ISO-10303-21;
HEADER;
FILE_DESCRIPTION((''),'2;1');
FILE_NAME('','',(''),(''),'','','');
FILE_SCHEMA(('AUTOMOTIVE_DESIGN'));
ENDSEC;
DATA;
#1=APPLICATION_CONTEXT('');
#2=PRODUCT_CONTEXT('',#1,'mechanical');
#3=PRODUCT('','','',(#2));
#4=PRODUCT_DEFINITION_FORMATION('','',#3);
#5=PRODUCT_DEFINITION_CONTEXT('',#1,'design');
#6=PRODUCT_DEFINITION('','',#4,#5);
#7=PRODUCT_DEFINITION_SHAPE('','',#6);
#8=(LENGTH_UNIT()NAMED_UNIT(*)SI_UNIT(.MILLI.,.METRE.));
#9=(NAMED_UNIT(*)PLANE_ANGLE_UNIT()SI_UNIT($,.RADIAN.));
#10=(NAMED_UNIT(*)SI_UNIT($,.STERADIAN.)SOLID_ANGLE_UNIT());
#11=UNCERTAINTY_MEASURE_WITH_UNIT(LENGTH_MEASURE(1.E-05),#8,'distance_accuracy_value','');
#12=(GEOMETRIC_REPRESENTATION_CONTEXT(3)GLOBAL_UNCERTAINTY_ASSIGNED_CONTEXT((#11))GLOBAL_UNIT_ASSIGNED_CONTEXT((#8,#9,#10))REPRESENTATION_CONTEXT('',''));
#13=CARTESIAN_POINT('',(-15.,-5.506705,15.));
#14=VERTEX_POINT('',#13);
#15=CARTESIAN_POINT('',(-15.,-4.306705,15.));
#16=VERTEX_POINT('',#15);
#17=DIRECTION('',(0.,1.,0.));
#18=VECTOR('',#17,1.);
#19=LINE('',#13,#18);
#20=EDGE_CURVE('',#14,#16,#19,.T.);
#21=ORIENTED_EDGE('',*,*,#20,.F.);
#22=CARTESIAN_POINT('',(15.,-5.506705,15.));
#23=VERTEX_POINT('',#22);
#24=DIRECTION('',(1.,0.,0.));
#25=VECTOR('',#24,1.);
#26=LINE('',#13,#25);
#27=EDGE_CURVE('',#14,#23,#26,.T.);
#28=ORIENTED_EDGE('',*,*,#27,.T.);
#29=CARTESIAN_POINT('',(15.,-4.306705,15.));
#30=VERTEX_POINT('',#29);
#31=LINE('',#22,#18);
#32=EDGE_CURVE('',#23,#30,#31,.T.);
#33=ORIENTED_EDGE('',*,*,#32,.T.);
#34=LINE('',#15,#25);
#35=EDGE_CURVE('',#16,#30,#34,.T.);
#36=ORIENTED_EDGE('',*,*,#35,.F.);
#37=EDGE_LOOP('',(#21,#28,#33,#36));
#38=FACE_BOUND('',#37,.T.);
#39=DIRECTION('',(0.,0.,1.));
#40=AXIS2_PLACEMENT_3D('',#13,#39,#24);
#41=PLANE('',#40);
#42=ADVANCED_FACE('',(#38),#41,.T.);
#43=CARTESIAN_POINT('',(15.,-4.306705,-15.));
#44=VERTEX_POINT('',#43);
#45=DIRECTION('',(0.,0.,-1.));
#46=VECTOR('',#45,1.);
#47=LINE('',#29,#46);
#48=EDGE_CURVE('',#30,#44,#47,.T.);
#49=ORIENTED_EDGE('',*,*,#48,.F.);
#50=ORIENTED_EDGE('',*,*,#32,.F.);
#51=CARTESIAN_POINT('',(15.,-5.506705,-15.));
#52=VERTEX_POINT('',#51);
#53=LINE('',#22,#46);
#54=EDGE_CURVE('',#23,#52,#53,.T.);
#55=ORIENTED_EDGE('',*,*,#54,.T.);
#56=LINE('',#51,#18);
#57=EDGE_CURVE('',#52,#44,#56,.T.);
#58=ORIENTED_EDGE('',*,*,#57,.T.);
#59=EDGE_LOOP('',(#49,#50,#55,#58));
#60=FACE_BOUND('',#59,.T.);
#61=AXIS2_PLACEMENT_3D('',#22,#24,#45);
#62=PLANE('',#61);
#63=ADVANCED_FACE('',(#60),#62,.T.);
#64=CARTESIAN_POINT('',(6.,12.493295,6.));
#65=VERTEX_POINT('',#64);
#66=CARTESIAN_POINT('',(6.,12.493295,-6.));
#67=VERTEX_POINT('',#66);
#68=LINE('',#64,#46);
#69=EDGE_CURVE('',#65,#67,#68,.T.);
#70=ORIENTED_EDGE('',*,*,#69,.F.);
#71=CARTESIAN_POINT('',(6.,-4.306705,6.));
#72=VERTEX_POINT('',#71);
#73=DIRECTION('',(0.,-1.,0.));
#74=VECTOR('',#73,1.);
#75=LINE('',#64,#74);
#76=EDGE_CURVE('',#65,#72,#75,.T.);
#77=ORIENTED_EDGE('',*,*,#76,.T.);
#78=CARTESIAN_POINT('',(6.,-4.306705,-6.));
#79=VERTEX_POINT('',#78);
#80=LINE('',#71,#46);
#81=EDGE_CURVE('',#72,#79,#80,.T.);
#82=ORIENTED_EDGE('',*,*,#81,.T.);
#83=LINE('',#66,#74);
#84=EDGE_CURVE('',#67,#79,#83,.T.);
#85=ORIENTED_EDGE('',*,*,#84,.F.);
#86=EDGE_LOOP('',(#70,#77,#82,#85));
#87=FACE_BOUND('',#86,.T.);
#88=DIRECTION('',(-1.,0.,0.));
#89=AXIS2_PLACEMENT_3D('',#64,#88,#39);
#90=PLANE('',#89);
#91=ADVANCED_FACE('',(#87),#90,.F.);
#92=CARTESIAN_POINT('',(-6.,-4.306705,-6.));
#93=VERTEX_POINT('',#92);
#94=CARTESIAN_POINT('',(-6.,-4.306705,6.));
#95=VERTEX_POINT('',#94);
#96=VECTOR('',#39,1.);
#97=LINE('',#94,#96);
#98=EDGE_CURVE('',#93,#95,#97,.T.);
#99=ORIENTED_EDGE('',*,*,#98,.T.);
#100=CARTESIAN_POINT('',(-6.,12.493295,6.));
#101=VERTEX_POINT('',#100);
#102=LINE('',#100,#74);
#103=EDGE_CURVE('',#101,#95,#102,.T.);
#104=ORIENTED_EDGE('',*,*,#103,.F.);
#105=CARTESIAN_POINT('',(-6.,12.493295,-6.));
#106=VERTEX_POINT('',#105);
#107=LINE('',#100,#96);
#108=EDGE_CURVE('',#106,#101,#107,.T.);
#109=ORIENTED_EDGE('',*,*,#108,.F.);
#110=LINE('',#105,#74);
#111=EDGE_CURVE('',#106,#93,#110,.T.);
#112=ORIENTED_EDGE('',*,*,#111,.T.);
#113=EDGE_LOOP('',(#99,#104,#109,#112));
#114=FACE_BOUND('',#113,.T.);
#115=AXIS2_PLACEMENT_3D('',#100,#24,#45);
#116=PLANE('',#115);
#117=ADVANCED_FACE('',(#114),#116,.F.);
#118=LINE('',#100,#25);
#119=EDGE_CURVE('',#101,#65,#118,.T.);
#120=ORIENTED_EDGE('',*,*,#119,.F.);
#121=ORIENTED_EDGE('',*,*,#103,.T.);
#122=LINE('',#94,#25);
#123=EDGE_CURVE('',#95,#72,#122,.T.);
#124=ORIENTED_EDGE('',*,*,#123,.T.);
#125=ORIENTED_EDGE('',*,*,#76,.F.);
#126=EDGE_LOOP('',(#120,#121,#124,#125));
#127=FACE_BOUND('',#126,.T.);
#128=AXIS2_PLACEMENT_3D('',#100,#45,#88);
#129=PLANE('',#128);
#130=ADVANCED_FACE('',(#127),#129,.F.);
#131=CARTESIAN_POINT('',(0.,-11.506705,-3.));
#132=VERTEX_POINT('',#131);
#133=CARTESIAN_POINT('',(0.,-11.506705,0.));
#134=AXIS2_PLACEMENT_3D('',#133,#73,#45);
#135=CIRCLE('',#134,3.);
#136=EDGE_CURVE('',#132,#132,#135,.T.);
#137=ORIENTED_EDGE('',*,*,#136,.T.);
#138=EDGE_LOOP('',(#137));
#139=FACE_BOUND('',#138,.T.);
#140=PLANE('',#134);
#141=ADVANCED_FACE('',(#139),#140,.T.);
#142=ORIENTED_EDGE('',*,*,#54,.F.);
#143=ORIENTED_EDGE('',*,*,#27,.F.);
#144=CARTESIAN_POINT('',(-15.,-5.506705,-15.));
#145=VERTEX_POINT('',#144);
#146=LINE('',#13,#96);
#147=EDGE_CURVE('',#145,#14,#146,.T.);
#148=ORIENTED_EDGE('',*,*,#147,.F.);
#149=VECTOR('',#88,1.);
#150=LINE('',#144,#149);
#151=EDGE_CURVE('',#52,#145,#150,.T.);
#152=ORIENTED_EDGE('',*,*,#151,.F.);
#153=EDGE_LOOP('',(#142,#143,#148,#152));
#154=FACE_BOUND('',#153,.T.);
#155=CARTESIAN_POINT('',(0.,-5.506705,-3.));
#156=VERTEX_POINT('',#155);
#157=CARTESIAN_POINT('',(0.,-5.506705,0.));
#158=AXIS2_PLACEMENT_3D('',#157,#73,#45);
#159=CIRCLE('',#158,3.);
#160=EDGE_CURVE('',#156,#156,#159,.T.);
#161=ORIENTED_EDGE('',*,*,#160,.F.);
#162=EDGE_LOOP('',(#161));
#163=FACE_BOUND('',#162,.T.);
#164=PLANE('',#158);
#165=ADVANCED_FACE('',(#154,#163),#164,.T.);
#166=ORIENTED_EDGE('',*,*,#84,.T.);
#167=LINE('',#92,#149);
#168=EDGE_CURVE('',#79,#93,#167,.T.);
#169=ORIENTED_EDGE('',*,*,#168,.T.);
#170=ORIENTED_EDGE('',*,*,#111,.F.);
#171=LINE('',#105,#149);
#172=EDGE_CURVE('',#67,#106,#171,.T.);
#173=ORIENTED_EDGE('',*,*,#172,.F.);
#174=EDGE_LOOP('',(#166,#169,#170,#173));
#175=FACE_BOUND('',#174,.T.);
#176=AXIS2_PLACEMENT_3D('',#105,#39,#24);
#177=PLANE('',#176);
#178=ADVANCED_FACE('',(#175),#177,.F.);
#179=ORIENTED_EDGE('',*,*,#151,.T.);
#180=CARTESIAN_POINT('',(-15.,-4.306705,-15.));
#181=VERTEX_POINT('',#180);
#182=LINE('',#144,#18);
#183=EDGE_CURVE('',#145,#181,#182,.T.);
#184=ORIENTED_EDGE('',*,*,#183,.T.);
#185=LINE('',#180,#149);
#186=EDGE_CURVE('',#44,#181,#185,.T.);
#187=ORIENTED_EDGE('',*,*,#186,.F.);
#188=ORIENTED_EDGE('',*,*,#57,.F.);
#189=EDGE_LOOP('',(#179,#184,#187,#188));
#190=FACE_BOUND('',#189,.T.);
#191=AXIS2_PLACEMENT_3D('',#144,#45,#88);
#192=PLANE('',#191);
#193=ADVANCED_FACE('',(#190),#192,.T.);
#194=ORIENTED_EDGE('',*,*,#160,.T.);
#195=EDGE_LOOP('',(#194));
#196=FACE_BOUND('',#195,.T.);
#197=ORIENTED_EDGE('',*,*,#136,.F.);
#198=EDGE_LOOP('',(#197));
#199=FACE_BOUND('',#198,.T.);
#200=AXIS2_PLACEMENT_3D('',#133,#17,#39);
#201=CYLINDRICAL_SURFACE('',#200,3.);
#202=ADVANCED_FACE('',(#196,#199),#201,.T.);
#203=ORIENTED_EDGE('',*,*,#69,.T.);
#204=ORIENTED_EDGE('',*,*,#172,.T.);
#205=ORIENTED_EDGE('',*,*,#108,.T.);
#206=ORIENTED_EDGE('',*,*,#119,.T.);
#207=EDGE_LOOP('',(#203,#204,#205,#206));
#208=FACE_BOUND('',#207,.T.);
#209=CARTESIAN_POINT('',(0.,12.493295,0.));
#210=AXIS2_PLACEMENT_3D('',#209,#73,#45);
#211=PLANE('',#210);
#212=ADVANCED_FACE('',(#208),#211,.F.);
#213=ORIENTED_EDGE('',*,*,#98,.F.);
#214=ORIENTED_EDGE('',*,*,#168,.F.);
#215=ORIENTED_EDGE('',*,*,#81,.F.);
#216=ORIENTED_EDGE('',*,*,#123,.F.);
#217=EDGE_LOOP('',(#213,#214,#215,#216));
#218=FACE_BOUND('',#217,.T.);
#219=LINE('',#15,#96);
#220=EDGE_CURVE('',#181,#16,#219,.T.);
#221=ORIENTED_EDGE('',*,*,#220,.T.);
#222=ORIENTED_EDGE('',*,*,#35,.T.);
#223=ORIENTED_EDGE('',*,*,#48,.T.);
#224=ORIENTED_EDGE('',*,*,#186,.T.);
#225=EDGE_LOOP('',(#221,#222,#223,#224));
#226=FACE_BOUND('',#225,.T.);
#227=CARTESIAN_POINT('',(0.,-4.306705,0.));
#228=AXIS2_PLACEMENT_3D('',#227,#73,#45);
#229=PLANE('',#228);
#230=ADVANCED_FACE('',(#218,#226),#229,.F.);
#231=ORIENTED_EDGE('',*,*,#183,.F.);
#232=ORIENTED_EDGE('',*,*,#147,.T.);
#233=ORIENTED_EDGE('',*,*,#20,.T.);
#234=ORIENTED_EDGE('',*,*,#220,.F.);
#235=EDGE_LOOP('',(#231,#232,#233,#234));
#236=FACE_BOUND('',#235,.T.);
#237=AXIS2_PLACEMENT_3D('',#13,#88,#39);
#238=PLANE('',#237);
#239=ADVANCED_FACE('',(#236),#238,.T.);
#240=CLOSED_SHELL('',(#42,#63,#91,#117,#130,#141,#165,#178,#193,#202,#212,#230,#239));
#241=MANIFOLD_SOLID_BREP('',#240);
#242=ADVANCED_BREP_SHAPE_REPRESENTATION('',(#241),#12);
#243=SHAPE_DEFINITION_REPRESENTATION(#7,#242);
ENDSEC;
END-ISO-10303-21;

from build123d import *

# Parameters (mm, degrees)
SKETCH1_W           = 2
SKETCH1_H           = 2
BOSS_EXTRUDE1_DEPTH = 2.8
SKETCH2_W           = 5
SKETCH2_H           = 5
BOSS_EXTRUDE2_DEPTH = 0.2
SKETCH3_R           = 0.5
BOSS_EXTRUDE3_DEPTH = 1
SCALE1_SCALE        = 6


with BuildPart() as part:
    # Sketch1 → Boss-Extrude1 (new body)
    with BuildSketch(Plane(origin=(0, 0, 0), x_dir=(1, 0, 0), z_dir=(0, 1, 0))):
        Rectangle(SKETCH1_W, SKETCH1_H)
    extrude(amount=BOSS_EXTRUDE1_DEPTH)

    # Sketch2 → Boss-Extrude2 (add)
    with BuildSketch(Plane(origin=(0, 0, 0), x_dir=(1, 0, 0), z_dir=(0, 1, 0))):
        Rectangle(SKETCH2_W, SKETCH2_H)
    extrude(amount=-BOSS_EXTRUDE2_DEPTH)

    # Sketch3 → Boss-Extrude3 (add)
    with BuildSketch(Plane(origin=(0, -0.2, 0), x_dir=(-1, 0, 0), z_dir=(0, -1, 0))):
        with Locations(Location((0, 0, 0), (0, 0, 90))):
            Circle(SKETCH3_R)
    extrude(amount=BOSS_EXTRUDE3_DEPTH)


with BuildPart() as part_1:
    # Scale1: scaled about (0, 0.861341085, 0)
    add(part.part.scale(SCALE1_SCALE).moved(Location((0, -4.306705425, 0))))


solid = part_1.part
